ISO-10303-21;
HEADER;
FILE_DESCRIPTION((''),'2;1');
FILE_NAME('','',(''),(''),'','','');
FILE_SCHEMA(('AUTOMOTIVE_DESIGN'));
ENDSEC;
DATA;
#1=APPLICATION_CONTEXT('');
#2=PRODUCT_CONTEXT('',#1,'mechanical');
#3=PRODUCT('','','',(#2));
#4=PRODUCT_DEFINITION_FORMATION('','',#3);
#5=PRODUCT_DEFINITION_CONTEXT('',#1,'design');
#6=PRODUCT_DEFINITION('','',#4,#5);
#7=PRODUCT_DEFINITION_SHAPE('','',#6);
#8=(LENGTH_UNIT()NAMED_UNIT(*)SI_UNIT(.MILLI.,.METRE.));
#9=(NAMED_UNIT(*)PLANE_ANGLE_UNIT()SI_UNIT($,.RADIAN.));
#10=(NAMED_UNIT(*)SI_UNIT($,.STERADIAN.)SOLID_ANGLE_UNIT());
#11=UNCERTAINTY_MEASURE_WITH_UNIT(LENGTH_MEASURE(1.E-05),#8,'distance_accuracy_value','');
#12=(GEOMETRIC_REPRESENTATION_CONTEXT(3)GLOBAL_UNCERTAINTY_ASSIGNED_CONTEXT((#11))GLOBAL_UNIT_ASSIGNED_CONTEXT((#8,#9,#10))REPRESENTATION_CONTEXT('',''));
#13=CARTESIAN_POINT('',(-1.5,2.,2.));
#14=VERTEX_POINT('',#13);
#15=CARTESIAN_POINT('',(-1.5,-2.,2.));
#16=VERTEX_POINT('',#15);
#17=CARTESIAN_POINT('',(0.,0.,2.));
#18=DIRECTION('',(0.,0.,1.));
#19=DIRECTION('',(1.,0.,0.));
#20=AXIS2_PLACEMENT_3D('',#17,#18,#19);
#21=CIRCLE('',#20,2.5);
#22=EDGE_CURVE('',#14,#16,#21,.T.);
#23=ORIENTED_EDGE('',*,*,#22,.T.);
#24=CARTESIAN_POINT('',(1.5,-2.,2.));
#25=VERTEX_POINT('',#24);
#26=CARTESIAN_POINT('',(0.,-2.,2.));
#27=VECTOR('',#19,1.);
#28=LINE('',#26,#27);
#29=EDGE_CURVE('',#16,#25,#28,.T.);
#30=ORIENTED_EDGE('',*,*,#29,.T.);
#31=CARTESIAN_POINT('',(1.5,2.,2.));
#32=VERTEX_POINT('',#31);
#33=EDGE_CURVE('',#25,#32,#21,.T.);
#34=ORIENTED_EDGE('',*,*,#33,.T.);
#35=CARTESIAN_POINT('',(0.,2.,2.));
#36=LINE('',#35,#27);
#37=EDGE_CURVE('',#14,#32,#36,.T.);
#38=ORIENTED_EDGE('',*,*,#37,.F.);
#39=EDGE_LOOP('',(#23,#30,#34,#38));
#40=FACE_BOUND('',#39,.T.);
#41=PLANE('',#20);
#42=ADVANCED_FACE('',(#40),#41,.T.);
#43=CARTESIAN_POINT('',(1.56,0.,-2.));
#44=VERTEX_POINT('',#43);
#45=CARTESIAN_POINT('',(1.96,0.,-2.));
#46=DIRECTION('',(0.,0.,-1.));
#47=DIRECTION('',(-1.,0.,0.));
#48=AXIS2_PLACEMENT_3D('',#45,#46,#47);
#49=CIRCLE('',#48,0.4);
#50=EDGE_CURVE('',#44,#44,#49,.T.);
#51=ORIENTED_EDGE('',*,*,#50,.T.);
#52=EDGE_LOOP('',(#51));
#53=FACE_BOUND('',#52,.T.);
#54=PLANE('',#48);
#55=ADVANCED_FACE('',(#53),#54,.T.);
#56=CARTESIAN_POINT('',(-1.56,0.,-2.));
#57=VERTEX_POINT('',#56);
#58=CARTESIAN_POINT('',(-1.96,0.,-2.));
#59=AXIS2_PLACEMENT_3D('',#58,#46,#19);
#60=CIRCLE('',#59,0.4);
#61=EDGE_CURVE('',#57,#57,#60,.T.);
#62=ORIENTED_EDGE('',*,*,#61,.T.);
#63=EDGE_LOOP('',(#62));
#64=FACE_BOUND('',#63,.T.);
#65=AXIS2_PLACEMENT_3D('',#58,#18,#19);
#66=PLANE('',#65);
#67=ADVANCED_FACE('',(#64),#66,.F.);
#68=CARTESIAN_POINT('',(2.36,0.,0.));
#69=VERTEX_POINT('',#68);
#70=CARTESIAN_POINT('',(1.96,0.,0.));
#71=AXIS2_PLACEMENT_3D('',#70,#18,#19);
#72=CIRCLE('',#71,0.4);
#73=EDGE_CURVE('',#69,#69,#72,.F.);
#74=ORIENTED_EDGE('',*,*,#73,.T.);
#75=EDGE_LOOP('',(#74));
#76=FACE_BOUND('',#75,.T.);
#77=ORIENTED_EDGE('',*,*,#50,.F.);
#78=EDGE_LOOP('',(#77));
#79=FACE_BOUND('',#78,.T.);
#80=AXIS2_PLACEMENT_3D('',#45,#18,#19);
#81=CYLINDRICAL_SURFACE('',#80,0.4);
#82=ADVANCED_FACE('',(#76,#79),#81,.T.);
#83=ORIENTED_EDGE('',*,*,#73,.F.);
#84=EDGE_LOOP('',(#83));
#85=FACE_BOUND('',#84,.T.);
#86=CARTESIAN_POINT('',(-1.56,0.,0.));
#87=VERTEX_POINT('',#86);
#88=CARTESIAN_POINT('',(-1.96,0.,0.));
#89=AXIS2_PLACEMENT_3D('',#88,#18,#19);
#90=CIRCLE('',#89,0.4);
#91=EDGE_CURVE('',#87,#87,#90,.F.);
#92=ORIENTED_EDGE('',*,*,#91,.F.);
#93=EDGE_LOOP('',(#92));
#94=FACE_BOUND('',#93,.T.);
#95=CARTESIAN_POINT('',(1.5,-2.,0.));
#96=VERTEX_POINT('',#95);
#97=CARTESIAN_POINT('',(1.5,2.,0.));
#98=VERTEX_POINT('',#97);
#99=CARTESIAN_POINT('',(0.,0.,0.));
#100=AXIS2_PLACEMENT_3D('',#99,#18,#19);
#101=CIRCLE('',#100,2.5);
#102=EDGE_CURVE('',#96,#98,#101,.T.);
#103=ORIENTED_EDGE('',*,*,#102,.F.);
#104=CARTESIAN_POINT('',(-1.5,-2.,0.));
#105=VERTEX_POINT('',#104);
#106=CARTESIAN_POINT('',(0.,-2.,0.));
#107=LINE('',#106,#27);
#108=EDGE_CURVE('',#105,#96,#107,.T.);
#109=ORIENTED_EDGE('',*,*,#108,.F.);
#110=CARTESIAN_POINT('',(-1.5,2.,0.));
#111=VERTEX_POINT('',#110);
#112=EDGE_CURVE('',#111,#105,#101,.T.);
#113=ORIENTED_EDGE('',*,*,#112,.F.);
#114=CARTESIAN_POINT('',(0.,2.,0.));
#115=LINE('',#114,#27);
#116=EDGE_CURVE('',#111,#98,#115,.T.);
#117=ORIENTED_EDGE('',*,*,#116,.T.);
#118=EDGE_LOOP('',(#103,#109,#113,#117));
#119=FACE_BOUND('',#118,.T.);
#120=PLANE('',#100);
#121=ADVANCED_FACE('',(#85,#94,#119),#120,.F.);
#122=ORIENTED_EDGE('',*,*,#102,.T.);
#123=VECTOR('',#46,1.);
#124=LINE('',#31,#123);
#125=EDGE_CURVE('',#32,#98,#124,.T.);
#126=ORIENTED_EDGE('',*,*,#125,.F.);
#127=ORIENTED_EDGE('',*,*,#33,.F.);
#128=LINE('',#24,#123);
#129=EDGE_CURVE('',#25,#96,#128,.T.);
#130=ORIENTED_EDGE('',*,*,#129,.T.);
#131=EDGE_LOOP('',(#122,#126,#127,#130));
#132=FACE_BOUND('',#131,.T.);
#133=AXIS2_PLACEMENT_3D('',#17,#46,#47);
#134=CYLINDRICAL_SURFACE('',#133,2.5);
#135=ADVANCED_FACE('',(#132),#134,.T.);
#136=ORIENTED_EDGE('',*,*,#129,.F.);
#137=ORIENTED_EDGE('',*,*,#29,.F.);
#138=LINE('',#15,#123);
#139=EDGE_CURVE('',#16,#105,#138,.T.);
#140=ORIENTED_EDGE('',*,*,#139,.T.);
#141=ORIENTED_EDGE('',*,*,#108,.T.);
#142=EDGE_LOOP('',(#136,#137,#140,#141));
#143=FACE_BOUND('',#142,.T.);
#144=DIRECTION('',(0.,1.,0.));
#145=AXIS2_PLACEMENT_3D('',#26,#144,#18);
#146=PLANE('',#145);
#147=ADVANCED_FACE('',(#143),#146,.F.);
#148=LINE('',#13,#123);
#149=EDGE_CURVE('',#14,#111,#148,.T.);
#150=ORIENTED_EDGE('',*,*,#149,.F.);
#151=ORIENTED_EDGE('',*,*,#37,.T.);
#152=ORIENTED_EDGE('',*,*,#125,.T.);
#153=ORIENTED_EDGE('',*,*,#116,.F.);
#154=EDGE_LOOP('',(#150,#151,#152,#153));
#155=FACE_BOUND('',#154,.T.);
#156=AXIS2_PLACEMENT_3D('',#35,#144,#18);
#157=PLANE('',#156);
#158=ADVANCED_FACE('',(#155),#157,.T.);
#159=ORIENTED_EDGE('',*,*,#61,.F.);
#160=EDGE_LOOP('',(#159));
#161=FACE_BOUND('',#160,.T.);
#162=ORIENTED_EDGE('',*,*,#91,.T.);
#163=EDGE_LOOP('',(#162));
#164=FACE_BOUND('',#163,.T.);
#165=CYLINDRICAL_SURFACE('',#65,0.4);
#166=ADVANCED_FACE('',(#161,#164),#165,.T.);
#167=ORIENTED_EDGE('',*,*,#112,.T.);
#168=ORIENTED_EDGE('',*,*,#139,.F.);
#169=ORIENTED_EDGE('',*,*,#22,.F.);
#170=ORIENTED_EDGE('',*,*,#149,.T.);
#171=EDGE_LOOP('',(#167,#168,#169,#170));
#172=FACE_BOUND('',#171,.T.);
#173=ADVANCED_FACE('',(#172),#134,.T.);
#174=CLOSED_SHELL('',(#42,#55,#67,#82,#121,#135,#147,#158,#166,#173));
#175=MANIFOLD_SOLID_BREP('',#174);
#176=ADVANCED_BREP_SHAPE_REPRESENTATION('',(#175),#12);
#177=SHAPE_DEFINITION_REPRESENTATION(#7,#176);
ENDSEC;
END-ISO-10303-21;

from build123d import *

# Parameters (mm, degrees)
SKETCH_1_W      = 3
SKETCH_1_H      = 4
EXTRUDE_1_DEPTH = 2
SKETCH_2_R      = 0.4
EXTRUDE_2_DEPTH = 2


with BuildPart() as part:
    # Эскиз1 → Бобышка-Вытянуть1 (new body)
    with BuildSketch(Plane.XY):
        with BuildLine():
            ThreePointArc((-1.5, 2), (-2.5, 0), (-1.5, -2))
            Line((-1.5, -2), (-1.5, 2))
        make_face()
        Rectangle(SKETCH_1_W, SKETCH_1_H)
        with BuildLine():
            Line((1.5, 2), (1.5, -2))
            ThreePointArc((1.5, -2), (2.236067977, -1.118033989), (2.5, 0))
            ThreePointArc((2.5, 0), (2.236067977, 1.118033989), (1.5, 2))
        make_face()
    extrude(amount=EXTRUDE_1_DEPTH)

    # Эскиз2 → Бобышка-Вытянуть2 (add)
    with BuildSketch(Plane(origin=(0, 0, 0), x_dir=(-1, 0, 0), z_dir=(0, 0, -1))):
        with Locations(Location((-1.96, 0, 0), (0, 0, 180))):
            Circle(SKETCH_2_R)
        with Locations(Location((1.96, 0, 0), (0, 0, 180))):
            Circle(SKETCH_2_R)
    extrude(amount=EXTRUDE_2_DEPTH)


solid = part.part
